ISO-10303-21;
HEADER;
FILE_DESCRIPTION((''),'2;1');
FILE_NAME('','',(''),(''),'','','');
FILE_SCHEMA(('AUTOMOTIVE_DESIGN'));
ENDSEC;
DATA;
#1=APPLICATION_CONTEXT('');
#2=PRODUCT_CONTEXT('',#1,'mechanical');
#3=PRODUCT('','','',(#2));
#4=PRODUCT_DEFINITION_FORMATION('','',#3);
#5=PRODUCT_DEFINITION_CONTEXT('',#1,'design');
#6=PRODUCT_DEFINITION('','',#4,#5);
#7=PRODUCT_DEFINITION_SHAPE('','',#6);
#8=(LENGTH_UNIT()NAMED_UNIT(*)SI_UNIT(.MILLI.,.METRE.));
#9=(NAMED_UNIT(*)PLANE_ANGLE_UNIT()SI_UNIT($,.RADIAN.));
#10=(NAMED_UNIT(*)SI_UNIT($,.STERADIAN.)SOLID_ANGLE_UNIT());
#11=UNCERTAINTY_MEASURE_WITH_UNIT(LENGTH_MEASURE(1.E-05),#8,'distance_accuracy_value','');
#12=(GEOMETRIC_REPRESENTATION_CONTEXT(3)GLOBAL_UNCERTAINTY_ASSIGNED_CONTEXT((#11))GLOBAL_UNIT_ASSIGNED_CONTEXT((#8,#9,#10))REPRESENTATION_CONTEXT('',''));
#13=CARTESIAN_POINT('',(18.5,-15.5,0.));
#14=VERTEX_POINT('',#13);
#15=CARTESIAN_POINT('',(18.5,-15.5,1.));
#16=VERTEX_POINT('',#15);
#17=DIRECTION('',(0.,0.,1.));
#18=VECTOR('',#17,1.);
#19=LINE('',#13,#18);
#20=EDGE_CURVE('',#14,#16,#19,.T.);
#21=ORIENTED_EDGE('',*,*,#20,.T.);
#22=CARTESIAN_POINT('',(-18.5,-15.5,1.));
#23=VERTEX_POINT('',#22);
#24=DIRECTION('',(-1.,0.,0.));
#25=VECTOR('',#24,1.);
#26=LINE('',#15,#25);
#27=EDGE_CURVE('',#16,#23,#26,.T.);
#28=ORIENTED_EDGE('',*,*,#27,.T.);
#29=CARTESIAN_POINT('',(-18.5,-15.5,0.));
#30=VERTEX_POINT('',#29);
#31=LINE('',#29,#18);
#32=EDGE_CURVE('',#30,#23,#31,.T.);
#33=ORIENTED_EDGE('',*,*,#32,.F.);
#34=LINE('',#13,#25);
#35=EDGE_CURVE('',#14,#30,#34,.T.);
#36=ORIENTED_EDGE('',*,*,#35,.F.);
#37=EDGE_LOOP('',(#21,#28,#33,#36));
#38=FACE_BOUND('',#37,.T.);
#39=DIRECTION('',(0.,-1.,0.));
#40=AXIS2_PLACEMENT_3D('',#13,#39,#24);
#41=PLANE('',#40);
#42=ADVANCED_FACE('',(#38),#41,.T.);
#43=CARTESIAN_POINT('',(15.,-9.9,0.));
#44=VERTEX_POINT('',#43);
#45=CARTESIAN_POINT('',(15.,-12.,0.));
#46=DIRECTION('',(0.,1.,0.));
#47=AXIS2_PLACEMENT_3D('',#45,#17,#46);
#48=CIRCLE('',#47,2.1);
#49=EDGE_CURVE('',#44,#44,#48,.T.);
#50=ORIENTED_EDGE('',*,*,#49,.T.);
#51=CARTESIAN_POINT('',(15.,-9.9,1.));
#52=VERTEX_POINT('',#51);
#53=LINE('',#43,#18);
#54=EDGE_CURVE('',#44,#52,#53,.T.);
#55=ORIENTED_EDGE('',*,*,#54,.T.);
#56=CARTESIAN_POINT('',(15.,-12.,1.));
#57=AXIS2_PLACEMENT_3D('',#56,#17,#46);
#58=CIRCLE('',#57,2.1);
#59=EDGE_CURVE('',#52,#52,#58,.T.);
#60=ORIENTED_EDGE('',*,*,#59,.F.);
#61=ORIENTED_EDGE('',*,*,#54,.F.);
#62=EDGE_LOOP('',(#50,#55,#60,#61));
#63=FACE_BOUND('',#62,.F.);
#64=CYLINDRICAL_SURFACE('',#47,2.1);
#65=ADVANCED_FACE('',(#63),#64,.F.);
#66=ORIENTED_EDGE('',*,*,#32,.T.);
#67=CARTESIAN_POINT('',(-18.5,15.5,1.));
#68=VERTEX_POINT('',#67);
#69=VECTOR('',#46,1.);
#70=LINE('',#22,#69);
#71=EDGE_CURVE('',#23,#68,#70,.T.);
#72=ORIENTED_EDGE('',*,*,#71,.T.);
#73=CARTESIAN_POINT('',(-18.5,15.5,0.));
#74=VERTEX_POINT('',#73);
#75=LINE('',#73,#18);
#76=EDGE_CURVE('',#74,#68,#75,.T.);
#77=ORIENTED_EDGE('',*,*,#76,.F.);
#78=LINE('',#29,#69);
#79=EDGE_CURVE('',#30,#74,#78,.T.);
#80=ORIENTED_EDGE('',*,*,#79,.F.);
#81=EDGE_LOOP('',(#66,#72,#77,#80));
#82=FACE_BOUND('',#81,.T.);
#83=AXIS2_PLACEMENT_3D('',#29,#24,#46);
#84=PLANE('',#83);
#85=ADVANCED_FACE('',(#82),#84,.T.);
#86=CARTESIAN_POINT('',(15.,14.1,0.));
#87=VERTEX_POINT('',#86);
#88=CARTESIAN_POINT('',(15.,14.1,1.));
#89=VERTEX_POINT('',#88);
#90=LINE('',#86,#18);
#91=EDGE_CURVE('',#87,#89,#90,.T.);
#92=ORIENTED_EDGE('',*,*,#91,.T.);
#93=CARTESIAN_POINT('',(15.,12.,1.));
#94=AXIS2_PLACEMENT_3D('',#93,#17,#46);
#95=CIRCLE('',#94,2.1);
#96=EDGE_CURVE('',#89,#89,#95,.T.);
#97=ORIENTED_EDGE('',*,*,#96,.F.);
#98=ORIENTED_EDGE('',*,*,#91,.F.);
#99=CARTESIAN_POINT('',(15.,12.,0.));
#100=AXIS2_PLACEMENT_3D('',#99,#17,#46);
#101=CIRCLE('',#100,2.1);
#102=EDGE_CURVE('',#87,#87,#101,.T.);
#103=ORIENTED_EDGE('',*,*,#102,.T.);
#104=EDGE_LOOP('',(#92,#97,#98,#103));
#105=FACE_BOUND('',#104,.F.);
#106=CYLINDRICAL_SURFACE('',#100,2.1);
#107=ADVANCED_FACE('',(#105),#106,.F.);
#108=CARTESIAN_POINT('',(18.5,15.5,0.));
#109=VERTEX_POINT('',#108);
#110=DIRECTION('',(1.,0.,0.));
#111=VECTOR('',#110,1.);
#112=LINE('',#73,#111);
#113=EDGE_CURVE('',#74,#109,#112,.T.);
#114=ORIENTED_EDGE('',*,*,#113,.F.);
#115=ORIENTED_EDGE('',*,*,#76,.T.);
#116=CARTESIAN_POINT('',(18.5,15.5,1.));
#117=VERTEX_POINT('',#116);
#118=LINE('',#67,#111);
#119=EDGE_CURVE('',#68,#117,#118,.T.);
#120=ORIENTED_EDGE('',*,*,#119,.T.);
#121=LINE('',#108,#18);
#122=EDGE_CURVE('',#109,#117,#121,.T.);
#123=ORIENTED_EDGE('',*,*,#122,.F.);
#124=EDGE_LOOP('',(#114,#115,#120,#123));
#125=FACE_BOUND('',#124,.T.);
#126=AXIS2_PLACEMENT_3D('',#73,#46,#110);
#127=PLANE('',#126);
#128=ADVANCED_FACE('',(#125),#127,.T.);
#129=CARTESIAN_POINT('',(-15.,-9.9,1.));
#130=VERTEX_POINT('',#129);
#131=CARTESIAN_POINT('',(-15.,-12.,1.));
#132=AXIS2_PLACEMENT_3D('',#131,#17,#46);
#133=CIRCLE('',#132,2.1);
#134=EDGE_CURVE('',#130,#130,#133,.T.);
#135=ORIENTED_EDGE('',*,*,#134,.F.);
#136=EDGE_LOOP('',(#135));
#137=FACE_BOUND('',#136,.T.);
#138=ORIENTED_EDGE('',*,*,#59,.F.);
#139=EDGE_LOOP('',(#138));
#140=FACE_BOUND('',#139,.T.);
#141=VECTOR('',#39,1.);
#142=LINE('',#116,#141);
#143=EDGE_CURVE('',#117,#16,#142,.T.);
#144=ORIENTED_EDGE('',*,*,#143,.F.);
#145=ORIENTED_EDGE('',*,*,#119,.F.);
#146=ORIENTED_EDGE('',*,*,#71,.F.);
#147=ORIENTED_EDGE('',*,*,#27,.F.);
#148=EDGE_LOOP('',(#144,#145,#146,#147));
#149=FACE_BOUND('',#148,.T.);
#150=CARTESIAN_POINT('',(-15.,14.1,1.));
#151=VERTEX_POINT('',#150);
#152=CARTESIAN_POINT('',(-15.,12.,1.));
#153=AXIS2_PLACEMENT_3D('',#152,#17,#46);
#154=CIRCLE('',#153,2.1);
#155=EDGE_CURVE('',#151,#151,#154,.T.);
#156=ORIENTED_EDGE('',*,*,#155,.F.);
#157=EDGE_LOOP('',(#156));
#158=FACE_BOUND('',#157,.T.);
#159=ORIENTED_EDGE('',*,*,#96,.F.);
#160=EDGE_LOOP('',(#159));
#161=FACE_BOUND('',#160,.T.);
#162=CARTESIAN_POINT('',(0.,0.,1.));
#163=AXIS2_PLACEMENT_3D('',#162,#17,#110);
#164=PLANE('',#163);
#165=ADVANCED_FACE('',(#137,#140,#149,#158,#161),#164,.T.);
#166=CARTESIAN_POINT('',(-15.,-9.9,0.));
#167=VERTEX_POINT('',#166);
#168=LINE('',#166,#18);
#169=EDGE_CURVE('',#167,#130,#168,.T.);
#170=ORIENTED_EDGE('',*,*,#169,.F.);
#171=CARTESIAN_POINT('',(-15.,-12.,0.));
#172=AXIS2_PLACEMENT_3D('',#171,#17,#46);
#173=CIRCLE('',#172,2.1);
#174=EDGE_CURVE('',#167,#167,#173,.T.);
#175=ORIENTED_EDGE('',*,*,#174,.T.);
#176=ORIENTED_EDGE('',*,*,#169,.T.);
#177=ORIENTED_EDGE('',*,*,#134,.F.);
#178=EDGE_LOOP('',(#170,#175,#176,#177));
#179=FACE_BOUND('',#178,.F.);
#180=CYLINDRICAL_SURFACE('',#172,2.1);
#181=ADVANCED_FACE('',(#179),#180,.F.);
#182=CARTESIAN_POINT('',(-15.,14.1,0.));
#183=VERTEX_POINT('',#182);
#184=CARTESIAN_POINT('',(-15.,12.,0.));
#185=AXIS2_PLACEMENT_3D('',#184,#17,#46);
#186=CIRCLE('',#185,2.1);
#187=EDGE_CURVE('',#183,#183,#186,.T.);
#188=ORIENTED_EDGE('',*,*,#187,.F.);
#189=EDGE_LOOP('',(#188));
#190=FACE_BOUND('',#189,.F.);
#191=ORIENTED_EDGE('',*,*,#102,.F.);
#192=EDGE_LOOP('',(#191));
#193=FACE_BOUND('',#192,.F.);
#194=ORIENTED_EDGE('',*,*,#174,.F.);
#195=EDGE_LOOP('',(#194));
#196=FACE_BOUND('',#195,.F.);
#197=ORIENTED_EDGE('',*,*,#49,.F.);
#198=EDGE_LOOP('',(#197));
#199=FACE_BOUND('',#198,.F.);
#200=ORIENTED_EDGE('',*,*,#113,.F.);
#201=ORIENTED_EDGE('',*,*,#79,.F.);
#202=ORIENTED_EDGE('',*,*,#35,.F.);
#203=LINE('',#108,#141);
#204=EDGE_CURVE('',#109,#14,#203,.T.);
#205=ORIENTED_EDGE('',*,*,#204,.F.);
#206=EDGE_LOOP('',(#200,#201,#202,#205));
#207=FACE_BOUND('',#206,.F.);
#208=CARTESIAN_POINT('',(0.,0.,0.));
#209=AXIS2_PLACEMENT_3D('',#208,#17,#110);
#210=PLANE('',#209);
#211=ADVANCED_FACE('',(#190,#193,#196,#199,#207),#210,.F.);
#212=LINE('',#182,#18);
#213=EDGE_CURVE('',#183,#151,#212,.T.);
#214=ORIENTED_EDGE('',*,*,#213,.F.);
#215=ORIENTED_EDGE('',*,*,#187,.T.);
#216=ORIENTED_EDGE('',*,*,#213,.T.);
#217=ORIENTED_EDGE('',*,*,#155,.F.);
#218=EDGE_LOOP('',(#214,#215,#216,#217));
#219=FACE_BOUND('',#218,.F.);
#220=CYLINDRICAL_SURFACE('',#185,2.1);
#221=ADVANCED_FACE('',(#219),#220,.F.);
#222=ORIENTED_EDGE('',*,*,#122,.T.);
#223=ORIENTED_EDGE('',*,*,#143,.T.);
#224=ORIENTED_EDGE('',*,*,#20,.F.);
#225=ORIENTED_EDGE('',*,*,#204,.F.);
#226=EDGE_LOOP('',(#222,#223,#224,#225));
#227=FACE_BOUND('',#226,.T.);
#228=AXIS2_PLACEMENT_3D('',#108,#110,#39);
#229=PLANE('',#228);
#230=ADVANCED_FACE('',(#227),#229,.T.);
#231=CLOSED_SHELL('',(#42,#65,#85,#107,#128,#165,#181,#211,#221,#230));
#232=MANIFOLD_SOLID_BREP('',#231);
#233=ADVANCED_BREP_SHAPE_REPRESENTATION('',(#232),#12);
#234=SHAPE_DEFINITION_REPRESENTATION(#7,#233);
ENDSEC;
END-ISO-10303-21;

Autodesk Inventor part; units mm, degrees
ref_plane "YZ Plane" through (0, 0, 0) normal (1, 0, 0) x (0, 1, 0)
ref_plane "XZ Plane" through (0, 0, 0) normal (0, 1, 0) x (-1, 0, 0)
ref_plane "XY Plane" through (0, 0, 0) normal (0, 0, 1) x (1, 0, 0)
sketch "草图1" plane through (0, 0, 0) normal (0, 0, 1) x (1, 0, 0)
  line L0 (18.5, -15.5) -> (-18.5, -15.5)
  line L1 (-18.5, -15.5) -> (-18.5, 15.5)
  line L2 (-18.5, 15.5) -> (18.5, 15.5)
  line L3 (18.5, 15.5) -> (18.5, -15.5)
  line L4 (18.5, -15.5) -> (-18.5, 15.5) construction
  line L5 (-18.5, -15.5) -> (18.5, 15.5) construction
  line L6 (0, 0) -> (-24.9379, 0) construction
  line L7 (0, 0) -> (0, 16.8364) construction
  point P0 (-15, 12)
  point P1 (-15, -12)
  point P2 (15, 12)
  point P3 (15, -12)
  dimension "d0" = 31
  dimension "d1" = 37
  dimension "d2" = 12
  dimension "d3" = 15
extrude "拉伸1" add sketch "草图1" along normal blind 1
hole "孔1" at (-15, 12, 0) at (-15, -12, 0) at (15, 12, 0) at (15, -12, 0) direction (0, 0, 1) diameter 4.2 end through all
properties part number "自制垫片"
